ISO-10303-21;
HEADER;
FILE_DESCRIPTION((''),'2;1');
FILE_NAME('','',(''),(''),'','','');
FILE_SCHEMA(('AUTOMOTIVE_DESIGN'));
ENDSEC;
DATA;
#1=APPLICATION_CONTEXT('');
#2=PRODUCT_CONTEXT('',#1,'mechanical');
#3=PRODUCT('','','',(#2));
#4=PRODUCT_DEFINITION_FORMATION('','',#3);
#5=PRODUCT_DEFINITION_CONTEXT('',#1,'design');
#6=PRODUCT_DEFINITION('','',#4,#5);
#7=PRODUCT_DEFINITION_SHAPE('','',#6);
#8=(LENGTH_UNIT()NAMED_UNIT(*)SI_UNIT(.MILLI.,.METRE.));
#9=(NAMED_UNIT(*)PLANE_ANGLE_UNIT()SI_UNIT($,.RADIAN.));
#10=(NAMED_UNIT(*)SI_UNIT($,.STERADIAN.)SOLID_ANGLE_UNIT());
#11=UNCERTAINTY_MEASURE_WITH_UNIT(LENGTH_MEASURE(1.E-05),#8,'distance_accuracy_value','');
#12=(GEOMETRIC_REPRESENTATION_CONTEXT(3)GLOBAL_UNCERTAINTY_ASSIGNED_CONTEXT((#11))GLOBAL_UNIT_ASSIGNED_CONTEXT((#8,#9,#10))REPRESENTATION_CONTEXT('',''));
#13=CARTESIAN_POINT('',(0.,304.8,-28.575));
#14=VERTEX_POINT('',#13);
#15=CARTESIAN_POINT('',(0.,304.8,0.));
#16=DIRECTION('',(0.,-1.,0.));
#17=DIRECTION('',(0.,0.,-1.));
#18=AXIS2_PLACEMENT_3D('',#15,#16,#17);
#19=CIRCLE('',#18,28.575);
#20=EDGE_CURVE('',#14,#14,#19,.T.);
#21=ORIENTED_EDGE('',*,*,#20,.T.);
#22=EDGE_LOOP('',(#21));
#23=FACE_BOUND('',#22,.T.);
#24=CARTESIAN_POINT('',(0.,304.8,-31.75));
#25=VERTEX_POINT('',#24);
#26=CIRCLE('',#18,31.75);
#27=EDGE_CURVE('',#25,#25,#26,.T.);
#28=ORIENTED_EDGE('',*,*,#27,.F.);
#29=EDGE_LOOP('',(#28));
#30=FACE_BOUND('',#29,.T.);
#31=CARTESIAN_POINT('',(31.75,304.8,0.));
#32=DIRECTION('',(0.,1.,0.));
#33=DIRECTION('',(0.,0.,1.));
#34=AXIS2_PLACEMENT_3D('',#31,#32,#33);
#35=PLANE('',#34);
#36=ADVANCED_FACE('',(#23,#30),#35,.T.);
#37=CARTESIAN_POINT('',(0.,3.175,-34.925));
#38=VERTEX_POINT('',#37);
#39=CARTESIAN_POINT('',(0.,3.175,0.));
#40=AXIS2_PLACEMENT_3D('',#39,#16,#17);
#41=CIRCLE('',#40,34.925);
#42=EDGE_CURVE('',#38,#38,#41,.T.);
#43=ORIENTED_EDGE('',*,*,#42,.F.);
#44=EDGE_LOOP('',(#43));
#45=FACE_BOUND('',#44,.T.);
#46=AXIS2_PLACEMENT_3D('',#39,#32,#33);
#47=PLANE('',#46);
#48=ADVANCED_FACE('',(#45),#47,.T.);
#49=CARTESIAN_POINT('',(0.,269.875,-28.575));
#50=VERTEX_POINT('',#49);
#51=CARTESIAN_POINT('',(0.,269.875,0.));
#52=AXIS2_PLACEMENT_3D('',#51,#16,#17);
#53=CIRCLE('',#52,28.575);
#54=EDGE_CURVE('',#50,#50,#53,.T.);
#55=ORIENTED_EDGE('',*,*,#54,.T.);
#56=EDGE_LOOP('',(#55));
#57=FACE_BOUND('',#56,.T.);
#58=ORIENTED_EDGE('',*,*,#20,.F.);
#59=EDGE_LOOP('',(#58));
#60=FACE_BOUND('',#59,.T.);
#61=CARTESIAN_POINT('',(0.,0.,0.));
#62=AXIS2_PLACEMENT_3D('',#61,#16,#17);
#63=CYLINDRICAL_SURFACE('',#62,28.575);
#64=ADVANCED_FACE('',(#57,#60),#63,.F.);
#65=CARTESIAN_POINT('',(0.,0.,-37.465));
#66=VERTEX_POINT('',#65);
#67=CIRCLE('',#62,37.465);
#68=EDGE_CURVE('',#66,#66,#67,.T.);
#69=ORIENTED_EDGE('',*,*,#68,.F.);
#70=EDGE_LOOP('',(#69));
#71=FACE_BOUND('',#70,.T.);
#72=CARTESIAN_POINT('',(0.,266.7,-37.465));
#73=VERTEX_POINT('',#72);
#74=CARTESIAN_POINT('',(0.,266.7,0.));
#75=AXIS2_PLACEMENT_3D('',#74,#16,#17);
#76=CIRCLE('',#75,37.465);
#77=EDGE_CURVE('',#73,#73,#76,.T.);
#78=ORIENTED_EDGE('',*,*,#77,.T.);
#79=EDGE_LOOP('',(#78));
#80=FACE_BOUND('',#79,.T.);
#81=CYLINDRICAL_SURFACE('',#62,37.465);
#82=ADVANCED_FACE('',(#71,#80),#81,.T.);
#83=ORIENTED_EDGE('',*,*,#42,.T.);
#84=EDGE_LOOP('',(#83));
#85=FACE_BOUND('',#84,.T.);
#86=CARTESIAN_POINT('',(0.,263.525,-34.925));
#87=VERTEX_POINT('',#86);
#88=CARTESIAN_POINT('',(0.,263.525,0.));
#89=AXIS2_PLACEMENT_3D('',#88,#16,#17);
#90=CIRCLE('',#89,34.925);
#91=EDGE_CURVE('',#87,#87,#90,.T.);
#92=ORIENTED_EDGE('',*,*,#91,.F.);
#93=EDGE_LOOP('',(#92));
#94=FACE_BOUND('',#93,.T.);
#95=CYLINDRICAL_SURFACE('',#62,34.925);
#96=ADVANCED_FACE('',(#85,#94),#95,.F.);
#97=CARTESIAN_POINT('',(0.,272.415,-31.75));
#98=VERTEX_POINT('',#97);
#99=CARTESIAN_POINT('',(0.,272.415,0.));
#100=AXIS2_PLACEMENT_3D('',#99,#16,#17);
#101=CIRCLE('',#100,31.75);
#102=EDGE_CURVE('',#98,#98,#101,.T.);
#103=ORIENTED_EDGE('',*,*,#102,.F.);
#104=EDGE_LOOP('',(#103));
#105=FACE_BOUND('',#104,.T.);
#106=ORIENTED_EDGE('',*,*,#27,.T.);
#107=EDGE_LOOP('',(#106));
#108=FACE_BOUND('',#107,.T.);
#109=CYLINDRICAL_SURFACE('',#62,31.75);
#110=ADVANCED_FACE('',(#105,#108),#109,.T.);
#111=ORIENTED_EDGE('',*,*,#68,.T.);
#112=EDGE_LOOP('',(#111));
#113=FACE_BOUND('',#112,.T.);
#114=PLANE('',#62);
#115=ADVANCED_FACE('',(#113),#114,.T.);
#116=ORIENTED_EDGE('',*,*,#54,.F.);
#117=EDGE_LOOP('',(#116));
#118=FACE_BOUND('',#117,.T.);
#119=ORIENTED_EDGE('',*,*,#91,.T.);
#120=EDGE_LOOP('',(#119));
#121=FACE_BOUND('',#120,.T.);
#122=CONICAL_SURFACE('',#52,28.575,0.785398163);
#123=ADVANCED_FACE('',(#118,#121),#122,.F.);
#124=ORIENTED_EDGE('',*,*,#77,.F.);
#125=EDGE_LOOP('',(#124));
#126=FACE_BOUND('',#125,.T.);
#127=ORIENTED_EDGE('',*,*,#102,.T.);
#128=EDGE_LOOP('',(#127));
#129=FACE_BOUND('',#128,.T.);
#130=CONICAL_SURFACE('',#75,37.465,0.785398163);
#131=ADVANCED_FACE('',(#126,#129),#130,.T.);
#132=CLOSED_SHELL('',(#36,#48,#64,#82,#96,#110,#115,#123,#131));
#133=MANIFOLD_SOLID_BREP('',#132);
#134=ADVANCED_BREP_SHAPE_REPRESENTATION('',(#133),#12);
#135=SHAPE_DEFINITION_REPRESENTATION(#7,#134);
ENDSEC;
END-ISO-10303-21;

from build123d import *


with BuildPart() as part:
    # Sketch3 → Revolve1 (revolve)
    with BuildSketch(Plane.XY):
        Polygon((0, 0), (37.465, 0), (37.465, 266.7), (31.75, 272.415), (31.75, 304.8), (28.575, 304.8), (28.575, 269.875), (34.925, 263.525), (34.925, 3.175), (0, 3.175), align=None)
    revolve(axis=Axis((0, 0, 0), (0, 1, 0)))


solid = part.part
